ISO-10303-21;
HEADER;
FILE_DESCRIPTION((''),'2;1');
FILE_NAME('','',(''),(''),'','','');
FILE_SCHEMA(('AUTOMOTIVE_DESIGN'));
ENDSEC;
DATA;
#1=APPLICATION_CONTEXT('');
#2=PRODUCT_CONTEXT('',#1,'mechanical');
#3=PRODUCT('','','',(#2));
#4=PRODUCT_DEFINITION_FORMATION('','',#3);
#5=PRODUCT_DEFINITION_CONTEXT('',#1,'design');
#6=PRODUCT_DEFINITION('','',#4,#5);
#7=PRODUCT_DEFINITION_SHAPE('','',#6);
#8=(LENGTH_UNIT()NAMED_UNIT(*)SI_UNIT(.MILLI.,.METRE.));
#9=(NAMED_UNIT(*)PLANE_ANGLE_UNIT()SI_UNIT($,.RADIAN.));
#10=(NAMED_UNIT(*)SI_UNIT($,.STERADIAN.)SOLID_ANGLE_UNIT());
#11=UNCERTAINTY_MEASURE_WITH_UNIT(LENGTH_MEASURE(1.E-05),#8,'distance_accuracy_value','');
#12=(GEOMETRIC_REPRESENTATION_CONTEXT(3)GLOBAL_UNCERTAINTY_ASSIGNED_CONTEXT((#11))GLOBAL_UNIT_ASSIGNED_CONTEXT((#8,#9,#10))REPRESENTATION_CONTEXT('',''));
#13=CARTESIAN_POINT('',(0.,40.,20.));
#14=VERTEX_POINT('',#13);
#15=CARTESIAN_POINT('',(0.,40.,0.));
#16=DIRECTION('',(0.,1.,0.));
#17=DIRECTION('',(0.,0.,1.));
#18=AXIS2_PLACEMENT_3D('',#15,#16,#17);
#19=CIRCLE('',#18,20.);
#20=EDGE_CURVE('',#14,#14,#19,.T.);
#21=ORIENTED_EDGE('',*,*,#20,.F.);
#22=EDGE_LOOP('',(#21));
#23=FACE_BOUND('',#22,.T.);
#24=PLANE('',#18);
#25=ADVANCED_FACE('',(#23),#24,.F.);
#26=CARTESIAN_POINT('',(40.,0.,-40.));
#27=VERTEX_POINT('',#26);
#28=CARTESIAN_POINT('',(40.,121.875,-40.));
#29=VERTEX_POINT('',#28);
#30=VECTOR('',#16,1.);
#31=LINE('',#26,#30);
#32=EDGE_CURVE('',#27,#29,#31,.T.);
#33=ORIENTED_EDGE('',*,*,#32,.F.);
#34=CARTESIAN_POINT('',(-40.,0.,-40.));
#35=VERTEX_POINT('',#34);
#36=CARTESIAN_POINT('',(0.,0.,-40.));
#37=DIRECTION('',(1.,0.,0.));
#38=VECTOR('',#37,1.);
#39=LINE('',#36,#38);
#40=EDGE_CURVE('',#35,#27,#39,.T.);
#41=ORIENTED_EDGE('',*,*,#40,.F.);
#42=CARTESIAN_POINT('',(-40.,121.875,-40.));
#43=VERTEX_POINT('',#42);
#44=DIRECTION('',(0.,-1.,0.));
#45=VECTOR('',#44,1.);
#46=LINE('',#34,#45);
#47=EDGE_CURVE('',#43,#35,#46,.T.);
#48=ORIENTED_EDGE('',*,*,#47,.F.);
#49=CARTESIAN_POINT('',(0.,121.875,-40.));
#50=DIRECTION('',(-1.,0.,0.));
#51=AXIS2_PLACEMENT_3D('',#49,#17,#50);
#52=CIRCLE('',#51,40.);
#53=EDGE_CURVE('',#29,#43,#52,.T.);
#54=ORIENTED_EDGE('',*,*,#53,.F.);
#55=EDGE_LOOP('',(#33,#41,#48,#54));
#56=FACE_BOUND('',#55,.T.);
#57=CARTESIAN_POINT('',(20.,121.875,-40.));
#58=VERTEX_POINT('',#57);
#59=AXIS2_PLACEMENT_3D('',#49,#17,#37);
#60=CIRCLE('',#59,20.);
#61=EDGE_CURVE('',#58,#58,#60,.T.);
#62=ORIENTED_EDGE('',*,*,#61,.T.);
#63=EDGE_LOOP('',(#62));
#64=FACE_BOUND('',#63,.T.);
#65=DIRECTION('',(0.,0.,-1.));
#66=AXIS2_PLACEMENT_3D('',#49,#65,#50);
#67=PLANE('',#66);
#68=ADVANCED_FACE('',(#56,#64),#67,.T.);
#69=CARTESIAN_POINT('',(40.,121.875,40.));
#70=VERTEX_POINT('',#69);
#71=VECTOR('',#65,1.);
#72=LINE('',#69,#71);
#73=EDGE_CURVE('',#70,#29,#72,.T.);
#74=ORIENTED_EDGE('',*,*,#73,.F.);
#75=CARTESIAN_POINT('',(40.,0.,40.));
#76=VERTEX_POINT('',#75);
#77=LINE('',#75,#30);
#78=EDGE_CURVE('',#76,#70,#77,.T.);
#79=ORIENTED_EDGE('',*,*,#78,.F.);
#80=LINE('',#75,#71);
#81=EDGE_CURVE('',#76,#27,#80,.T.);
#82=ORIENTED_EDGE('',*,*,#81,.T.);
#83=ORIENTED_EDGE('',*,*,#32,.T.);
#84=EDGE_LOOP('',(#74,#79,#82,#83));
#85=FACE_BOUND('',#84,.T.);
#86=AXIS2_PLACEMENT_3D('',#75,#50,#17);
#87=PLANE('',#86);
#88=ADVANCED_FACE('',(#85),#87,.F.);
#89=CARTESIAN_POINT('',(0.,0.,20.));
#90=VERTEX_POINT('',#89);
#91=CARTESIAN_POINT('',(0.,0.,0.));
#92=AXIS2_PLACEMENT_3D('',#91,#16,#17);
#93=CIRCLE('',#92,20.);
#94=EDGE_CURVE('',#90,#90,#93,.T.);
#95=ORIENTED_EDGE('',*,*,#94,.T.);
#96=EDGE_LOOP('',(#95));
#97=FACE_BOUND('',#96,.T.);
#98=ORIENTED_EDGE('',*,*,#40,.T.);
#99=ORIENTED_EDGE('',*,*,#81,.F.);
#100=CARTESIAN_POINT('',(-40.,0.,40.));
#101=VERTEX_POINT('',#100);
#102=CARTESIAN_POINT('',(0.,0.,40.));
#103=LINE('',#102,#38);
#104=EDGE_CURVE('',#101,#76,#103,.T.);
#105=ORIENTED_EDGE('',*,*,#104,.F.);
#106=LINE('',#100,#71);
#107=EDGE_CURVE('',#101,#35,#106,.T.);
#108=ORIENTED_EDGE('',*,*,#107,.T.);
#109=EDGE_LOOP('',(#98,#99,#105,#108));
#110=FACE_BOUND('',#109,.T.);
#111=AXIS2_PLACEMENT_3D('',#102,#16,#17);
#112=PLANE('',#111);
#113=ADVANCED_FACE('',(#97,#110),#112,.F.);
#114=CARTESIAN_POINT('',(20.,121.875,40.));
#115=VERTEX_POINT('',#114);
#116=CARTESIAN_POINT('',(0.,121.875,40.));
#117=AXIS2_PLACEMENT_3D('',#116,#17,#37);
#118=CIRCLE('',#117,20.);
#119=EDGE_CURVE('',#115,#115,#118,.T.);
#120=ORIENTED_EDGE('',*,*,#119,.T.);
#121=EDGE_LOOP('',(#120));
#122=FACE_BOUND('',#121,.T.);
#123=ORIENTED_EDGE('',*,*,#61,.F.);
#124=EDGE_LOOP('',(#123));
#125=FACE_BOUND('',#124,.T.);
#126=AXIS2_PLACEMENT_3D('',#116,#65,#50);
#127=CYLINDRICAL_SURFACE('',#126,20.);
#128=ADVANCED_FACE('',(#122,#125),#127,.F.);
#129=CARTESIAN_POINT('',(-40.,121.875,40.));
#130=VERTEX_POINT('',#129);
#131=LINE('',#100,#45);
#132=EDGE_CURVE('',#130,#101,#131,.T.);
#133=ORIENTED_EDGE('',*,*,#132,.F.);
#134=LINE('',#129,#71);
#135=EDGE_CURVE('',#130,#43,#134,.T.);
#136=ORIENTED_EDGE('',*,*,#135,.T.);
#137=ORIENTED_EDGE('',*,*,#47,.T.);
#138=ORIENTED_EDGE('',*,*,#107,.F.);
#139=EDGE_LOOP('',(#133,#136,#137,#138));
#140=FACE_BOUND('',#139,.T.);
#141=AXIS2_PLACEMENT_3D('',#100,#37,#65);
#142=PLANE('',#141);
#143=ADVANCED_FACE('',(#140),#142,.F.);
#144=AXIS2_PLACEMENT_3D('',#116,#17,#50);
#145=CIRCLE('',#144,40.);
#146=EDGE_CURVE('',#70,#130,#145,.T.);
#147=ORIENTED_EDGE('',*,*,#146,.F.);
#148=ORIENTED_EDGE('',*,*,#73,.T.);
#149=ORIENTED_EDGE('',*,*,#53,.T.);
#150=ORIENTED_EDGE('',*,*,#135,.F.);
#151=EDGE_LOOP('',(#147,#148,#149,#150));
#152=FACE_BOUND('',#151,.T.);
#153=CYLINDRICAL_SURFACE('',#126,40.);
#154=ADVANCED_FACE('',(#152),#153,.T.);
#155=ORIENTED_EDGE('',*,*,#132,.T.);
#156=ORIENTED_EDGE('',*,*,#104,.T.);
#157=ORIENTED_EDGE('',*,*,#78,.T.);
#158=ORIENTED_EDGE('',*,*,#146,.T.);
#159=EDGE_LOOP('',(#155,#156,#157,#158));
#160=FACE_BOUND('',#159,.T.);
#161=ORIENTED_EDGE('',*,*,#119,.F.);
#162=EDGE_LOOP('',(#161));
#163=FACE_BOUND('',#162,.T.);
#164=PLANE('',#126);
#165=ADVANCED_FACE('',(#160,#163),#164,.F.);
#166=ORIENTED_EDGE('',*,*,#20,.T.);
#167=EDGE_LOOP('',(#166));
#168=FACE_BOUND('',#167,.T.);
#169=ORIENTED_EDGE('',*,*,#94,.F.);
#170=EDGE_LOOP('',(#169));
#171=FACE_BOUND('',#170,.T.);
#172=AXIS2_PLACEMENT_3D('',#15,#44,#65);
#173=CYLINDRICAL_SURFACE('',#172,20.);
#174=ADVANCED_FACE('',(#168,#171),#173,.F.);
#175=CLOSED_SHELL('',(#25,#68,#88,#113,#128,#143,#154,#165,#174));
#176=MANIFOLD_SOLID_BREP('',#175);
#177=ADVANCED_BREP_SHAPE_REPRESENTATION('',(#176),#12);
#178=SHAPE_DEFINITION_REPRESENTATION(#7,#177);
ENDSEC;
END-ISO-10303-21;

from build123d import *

# Parameters (mm, degrees)
SKETCH1_LINK1_R     = 20
BOSS_EXTRUDE1_DEPTH = 40
SKETCH2_LINK1_R     = 20
CUT_EXTRUDE1_DEPTH  = 40


with BuildPart() as part:
    # sketch1_link1 → Boss-Extrude1 (new body, symmetric)
    with BuildSketch(Plane.XY):
        with BuildLine():
            Line((-40, 0), (-40, 121.875))
            ThreePointArc((-40, 121.875), (0, 161.875), (40, 121.875))
            Line((40, 121.875), (40, 0))
            Line((40, 0), (0, 0))
            Line((0, 0), (-40, 0))
        make_face()
        with Locations((0, 121.875)):
            Circle(SKETCH1_LINK1_R, mode=Mode.SUBTRACT)
    extrude(amount=BOSS_EXTRUDE1_DEPTH, both=True)

    # sketch2_link1 → Cut-Extrude1 (cut)
    with BuildSketch(Plane(origin=(0, 0, 0), x_dir=(1, 0, 0), z_dir=(0, 1, 0))):
        Circle(SKETCH2_LINK1_R)
    extrude(amount=CUT_EXTRUDE1_DEPTH, mode=Mode.SUBTRACT)


solid = part.part
